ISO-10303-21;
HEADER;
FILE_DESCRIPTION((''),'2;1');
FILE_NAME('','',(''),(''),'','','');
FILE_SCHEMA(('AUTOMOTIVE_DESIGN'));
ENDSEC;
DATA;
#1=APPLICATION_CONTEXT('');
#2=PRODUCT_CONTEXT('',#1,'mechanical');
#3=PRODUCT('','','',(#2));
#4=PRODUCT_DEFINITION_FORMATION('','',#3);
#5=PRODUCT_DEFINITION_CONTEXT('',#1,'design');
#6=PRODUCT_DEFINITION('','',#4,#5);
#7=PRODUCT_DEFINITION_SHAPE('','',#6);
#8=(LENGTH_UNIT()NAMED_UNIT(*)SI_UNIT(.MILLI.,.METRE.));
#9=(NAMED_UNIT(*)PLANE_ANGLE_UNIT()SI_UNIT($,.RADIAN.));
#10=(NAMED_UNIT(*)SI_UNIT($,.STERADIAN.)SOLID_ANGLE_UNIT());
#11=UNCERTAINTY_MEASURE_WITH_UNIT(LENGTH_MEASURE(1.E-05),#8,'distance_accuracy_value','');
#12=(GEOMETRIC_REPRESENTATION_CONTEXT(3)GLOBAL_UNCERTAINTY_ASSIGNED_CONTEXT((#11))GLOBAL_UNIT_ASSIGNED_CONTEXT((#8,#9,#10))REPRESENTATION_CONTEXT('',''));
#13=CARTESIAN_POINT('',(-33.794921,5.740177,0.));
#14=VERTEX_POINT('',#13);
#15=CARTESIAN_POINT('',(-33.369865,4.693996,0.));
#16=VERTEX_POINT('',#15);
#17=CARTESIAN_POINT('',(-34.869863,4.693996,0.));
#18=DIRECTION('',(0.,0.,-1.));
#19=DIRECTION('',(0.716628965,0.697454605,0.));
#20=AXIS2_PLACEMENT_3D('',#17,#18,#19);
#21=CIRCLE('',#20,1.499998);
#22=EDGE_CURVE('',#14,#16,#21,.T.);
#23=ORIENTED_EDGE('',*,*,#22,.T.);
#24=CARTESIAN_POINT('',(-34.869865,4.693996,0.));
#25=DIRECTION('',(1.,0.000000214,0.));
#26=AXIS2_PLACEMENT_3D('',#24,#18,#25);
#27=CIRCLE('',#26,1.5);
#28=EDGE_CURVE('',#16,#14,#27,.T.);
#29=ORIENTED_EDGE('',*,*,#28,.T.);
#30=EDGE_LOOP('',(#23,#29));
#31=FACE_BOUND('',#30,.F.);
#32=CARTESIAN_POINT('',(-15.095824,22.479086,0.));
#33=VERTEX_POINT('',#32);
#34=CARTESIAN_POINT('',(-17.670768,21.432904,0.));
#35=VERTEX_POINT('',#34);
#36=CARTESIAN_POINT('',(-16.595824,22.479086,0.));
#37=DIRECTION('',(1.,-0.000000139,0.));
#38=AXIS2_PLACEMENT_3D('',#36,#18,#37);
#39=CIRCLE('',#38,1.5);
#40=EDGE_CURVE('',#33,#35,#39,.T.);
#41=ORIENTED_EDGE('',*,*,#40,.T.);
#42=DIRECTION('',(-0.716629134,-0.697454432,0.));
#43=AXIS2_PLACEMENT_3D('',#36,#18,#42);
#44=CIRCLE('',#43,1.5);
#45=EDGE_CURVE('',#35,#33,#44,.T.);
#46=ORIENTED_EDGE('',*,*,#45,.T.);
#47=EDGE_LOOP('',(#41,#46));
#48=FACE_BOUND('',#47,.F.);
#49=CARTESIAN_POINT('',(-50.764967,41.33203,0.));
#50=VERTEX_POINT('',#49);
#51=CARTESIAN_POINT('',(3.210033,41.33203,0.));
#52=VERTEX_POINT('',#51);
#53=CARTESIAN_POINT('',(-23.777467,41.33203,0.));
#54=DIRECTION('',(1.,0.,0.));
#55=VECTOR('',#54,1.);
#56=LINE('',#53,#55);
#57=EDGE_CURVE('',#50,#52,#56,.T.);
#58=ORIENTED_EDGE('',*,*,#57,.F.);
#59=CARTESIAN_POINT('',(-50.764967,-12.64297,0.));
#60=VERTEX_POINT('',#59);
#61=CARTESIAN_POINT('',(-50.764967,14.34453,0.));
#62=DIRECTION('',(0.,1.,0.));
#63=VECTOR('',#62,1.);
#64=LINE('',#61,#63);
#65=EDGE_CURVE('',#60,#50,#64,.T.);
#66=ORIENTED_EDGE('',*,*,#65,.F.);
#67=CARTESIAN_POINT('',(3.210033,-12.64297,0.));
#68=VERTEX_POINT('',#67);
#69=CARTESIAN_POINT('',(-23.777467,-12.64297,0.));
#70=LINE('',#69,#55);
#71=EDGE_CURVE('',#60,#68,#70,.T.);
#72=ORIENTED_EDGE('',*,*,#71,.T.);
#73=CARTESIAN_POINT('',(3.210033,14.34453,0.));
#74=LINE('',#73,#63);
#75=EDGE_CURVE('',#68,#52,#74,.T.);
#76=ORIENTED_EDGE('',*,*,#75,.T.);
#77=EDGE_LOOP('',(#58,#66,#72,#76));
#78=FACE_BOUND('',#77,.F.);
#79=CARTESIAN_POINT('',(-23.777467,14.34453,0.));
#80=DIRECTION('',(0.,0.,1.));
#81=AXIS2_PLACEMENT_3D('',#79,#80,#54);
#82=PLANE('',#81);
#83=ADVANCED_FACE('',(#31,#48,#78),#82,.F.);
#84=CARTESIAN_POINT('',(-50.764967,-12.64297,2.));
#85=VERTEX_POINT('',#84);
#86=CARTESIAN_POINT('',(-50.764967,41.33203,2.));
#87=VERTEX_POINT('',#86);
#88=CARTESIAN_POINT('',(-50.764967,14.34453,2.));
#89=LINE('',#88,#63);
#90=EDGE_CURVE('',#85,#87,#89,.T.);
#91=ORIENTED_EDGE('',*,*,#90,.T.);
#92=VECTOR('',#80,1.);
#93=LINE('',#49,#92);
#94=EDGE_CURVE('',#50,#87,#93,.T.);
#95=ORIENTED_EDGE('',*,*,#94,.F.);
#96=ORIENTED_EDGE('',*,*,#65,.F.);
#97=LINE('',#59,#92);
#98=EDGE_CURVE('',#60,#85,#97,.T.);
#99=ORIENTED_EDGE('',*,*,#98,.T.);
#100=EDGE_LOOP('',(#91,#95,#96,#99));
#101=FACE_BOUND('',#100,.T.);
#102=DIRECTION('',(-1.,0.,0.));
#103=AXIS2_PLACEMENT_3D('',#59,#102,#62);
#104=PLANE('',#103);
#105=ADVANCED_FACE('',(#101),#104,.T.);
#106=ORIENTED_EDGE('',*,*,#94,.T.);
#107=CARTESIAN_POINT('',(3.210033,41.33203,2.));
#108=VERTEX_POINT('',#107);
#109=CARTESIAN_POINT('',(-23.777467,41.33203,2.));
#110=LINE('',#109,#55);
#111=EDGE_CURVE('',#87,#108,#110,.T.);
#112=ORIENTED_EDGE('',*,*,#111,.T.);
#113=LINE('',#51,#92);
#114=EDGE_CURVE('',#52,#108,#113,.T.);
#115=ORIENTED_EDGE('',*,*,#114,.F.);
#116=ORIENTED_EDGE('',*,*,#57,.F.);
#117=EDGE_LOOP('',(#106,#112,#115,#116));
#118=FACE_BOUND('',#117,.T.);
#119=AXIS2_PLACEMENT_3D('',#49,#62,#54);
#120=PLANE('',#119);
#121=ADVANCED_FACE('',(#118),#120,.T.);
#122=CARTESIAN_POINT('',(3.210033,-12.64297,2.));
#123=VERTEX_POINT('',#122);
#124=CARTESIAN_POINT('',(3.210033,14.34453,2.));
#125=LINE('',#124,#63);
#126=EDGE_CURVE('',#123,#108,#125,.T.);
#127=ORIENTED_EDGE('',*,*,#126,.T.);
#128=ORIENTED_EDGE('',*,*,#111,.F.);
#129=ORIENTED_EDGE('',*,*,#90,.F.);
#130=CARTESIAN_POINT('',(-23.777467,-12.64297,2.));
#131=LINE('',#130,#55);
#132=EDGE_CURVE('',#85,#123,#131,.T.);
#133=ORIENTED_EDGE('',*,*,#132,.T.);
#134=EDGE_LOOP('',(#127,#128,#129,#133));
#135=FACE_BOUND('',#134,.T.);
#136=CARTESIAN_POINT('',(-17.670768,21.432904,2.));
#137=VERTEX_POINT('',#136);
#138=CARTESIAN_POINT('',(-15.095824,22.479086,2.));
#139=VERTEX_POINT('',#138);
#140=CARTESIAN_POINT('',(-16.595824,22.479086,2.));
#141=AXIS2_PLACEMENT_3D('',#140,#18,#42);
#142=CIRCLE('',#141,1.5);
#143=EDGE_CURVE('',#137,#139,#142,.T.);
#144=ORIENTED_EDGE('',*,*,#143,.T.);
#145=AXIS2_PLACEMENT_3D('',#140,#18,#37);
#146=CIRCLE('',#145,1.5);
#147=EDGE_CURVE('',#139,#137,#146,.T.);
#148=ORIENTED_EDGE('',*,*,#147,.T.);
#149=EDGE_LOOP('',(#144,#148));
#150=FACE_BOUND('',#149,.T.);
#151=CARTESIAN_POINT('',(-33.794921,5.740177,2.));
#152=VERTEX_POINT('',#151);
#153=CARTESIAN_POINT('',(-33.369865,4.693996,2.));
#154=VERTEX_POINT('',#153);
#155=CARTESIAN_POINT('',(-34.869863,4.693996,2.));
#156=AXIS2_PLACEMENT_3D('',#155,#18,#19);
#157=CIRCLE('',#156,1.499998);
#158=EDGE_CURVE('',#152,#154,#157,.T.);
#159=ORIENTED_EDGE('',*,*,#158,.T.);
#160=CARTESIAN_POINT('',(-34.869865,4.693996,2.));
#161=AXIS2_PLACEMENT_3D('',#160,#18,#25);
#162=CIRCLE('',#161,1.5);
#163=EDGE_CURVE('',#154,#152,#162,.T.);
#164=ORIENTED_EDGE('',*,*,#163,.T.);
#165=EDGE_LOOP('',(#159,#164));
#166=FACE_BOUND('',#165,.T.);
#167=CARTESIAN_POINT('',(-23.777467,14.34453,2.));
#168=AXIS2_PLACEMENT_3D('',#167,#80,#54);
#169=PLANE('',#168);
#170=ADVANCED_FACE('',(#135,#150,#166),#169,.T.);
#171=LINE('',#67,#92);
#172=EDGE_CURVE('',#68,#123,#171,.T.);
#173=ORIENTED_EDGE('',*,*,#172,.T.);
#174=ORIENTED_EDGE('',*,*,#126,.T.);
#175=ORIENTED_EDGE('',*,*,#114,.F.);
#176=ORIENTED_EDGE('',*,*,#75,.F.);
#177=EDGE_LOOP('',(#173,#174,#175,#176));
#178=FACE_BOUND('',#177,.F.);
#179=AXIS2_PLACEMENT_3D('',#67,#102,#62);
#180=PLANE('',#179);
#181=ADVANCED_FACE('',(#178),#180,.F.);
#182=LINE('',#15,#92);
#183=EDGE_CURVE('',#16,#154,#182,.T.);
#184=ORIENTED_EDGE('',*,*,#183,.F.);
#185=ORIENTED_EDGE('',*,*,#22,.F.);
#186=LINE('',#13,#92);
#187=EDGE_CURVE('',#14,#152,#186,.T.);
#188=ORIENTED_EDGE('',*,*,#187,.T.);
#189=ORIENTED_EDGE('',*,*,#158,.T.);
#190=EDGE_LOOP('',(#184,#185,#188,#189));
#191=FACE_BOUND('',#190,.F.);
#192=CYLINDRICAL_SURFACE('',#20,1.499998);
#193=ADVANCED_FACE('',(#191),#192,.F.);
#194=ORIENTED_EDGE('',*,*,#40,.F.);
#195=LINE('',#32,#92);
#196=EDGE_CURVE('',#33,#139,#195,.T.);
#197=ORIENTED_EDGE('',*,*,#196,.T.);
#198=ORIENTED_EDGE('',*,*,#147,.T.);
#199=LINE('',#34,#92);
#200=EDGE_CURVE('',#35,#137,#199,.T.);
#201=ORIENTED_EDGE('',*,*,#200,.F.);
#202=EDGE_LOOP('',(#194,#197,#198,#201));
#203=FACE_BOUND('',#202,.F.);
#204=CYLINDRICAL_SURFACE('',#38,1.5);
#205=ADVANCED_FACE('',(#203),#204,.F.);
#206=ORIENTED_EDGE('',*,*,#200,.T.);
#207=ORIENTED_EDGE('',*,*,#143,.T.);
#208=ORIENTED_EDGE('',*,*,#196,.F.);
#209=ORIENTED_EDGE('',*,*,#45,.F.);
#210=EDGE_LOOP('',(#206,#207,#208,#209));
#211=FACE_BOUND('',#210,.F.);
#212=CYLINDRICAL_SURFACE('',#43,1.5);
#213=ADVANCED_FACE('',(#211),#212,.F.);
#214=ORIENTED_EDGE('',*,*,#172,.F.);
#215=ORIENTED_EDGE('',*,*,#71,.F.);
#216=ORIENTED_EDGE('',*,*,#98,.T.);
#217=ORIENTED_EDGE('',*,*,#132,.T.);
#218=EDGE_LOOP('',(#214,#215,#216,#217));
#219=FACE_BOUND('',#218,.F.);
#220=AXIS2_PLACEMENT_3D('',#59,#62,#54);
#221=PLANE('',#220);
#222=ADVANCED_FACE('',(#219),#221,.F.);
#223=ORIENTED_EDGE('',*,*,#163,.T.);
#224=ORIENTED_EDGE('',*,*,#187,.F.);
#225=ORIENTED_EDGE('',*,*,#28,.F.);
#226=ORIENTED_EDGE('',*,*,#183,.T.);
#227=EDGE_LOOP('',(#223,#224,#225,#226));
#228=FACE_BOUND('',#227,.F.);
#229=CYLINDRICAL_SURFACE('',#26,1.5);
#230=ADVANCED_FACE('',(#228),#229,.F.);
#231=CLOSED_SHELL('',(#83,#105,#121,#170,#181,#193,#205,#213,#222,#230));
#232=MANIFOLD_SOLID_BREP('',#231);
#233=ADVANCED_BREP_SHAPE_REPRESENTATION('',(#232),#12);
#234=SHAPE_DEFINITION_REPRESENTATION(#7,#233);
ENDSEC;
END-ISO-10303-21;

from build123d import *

# Parameters (mm, degrees)
F0_W     = 53.975
F0_H     = 53.975
F1_DEPTH = 2


with BuildPart() as f1:
    # F0 (on Top) → F1 (new body)
    with BuildSketch(Plane.XY):
        with Locations((-23.777467, 14.34453)):
            Rectangle(F0_W, F0_H)
        with BuildLine():
            ThreePointArc((-33.794921, 5.740177), (-33.480186, 5.258613), (-33.369865, 4.693996))
            ThreePointArc((-33.369865, 4.693996), (-36.259544, 4.129379), (-33.794921, 5.740177))
        make_face(mode=Mode.SUBTRACT)
        with BuildLine():
            ThreePointArc((-15.095824, 22.479086), (-16.031207, 21.089407), (-17.670768, 21.432904))
            ThreePointArc((-17.670768, 21.432904), (-17.160441, 23.868765), (-15.095824, 22.479086))
        make_face(mode=Mode.SUBTRACT)
    extrude(amount=F1_DEPTH)


solid = f1.part
